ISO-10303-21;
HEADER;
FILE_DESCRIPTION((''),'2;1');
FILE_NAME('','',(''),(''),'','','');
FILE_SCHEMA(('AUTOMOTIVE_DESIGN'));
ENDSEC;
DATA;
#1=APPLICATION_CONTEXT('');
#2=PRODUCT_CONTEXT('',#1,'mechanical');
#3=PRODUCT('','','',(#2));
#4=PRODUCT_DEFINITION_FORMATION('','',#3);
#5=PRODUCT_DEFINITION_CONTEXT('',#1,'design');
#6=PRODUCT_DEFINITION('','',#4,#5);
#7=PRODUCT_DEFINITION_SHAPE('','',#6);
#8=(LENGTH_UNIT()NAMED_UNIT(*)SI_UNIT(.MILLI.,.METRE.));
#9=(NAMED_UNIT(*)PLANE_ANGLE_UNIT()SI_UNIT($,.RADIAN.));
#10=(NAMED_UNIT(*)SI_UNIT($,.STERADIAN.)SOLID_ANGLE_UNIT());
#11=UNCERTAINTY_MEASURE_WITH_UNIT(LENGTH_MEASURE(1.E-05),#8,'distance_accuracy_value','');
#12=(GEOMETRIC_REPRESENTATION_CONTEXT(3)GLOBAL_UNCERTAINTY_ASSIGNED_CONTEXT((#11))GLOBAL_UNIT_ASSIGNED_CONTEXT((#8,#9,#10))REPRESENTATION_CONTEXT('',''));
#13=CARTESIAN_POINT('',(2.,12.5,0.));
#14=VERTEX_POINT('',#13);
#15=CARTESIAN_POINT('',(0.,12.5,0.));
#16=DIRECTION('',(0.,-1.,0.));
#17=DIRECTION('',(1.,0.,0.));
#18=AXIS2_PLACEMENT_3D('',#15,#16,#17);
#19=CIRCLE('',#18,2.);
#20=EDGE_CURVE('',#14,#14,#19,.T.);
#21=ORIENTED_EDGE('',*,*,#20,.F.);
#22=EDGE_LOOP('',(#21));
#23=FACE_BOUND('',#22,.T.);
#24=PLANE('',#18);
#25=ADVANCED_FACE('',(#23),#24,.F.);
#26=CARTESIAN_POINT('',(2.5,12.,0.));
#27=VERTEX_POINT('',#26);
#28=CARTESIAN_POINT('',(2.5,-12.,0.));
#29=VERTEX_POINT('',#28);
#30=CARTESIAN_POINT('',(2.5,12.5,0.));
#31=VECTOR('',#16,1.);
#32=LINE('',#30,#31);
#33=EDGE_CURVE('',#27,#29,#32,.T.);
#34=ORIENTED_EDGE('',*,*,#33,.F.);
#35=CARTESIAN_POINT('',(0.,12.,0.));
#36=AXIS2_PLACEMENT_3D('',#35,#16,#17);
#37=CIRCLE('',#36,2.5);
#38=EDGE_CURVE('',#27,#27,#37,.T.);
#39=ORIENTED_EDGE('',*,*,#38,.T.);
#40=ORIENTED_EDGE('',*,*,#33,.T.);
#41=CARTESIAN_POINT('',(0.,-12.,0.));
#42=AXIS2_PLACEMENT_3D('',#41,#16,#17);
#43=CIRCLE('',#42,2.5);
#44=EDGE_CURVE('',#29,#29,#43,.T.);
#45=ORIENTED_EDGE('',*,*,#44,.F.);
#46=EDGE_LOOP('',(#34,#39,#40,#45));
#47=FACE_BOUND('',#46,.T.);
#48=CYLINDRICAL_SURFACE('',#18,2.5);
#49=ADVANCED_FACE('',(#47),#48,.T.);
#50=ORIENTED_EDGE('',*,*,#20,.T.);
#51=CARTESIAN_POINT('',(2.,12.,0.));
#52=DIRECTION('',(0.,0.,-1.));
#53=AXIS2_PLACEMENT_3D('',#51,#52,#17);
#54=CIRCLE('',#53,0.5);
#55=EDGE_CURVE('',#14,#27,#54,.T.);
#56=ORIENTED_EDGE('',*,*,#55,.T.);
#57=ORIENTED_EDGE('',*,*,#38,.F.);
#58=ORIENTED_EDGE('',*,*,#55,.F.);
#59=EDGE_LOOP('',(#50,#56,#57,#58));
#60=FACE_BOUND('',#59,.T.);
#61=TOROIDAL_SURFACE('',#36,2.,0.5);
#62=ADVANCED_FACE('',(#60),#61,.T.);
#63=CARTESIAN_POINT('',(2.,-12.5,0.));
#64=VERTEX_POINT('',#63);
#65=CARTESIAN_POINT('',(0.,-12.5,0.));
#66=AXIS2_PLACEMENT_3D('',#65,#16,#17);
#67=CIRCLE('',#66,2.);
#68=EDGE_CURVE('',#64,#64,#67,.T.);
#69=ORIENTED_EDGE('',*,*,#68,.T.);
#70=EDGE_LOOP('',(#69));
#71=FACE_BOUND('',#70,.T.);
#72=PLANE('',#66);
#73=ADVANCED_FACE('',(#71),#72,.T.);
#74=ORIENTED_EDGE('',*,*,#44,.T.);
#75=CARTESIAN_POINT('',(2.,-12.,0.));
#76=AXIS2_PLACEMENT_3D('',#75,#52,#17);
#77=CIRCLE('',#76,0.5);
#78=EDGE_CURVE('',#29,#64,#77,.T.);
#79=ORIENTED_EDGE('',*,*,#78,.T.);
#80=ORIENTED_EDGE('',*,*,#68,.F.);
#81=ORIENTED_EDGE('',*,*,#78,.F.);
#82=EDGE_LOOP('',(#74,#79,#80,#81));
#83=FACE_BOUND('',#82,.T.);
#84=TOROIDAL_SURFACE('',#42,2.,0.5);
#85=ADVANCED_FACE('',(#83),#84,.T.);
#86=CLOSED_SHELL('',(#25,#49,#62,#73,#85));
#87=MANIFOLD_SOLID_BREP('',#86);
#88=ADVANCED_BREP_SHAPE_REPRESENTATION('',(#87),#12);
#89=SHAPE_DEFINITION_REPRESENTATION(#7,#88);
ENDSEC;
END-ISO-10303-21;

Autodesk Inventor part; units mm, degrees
ref_plane "YZ Plane" through (0, 0, 0) normal (1, 0, 0) x (0, 1, 0)
ref_plane "XY Plane" through (0, 0, 0) normal (0, 0, 1) x (1, 0, 0)
sketch "Эскиз1" plane through (0, 0, 0) normal (0, 0, 1) x (1, 0, 0)
  line L0 (0, 12.5) -> (0, -12.5)
  line L1 (0, 12.5) -> (2.5, 12.5)
  line L2 (2.5, 12.5) -> (2.5, -12.5)
  line L3 (2.5, -12.5) -> (0, -12.5)
  line L4 (0, -12.5) -> (0, 12.5)
  point P0 (0, 0)
  point P1 (0, 0)
  dimension "d0" = 25
  dimension "d1" = 5
revolve "Вращение1" add sketch "Эскиз1" angle 360 about axis through (0, 12.5, 0) along (0, -1, 0)
fillet "Сопряжение1" radius 0.5 2 edges at (-2.5, 12.5, 0) (-2.5, -12.5, 0)
ref_plane "РабПлоскость1" through (0, 0, 0) normal (0, 0.866, -0.5) x (1, 0, 0)
properties part number "76. Стопор"
